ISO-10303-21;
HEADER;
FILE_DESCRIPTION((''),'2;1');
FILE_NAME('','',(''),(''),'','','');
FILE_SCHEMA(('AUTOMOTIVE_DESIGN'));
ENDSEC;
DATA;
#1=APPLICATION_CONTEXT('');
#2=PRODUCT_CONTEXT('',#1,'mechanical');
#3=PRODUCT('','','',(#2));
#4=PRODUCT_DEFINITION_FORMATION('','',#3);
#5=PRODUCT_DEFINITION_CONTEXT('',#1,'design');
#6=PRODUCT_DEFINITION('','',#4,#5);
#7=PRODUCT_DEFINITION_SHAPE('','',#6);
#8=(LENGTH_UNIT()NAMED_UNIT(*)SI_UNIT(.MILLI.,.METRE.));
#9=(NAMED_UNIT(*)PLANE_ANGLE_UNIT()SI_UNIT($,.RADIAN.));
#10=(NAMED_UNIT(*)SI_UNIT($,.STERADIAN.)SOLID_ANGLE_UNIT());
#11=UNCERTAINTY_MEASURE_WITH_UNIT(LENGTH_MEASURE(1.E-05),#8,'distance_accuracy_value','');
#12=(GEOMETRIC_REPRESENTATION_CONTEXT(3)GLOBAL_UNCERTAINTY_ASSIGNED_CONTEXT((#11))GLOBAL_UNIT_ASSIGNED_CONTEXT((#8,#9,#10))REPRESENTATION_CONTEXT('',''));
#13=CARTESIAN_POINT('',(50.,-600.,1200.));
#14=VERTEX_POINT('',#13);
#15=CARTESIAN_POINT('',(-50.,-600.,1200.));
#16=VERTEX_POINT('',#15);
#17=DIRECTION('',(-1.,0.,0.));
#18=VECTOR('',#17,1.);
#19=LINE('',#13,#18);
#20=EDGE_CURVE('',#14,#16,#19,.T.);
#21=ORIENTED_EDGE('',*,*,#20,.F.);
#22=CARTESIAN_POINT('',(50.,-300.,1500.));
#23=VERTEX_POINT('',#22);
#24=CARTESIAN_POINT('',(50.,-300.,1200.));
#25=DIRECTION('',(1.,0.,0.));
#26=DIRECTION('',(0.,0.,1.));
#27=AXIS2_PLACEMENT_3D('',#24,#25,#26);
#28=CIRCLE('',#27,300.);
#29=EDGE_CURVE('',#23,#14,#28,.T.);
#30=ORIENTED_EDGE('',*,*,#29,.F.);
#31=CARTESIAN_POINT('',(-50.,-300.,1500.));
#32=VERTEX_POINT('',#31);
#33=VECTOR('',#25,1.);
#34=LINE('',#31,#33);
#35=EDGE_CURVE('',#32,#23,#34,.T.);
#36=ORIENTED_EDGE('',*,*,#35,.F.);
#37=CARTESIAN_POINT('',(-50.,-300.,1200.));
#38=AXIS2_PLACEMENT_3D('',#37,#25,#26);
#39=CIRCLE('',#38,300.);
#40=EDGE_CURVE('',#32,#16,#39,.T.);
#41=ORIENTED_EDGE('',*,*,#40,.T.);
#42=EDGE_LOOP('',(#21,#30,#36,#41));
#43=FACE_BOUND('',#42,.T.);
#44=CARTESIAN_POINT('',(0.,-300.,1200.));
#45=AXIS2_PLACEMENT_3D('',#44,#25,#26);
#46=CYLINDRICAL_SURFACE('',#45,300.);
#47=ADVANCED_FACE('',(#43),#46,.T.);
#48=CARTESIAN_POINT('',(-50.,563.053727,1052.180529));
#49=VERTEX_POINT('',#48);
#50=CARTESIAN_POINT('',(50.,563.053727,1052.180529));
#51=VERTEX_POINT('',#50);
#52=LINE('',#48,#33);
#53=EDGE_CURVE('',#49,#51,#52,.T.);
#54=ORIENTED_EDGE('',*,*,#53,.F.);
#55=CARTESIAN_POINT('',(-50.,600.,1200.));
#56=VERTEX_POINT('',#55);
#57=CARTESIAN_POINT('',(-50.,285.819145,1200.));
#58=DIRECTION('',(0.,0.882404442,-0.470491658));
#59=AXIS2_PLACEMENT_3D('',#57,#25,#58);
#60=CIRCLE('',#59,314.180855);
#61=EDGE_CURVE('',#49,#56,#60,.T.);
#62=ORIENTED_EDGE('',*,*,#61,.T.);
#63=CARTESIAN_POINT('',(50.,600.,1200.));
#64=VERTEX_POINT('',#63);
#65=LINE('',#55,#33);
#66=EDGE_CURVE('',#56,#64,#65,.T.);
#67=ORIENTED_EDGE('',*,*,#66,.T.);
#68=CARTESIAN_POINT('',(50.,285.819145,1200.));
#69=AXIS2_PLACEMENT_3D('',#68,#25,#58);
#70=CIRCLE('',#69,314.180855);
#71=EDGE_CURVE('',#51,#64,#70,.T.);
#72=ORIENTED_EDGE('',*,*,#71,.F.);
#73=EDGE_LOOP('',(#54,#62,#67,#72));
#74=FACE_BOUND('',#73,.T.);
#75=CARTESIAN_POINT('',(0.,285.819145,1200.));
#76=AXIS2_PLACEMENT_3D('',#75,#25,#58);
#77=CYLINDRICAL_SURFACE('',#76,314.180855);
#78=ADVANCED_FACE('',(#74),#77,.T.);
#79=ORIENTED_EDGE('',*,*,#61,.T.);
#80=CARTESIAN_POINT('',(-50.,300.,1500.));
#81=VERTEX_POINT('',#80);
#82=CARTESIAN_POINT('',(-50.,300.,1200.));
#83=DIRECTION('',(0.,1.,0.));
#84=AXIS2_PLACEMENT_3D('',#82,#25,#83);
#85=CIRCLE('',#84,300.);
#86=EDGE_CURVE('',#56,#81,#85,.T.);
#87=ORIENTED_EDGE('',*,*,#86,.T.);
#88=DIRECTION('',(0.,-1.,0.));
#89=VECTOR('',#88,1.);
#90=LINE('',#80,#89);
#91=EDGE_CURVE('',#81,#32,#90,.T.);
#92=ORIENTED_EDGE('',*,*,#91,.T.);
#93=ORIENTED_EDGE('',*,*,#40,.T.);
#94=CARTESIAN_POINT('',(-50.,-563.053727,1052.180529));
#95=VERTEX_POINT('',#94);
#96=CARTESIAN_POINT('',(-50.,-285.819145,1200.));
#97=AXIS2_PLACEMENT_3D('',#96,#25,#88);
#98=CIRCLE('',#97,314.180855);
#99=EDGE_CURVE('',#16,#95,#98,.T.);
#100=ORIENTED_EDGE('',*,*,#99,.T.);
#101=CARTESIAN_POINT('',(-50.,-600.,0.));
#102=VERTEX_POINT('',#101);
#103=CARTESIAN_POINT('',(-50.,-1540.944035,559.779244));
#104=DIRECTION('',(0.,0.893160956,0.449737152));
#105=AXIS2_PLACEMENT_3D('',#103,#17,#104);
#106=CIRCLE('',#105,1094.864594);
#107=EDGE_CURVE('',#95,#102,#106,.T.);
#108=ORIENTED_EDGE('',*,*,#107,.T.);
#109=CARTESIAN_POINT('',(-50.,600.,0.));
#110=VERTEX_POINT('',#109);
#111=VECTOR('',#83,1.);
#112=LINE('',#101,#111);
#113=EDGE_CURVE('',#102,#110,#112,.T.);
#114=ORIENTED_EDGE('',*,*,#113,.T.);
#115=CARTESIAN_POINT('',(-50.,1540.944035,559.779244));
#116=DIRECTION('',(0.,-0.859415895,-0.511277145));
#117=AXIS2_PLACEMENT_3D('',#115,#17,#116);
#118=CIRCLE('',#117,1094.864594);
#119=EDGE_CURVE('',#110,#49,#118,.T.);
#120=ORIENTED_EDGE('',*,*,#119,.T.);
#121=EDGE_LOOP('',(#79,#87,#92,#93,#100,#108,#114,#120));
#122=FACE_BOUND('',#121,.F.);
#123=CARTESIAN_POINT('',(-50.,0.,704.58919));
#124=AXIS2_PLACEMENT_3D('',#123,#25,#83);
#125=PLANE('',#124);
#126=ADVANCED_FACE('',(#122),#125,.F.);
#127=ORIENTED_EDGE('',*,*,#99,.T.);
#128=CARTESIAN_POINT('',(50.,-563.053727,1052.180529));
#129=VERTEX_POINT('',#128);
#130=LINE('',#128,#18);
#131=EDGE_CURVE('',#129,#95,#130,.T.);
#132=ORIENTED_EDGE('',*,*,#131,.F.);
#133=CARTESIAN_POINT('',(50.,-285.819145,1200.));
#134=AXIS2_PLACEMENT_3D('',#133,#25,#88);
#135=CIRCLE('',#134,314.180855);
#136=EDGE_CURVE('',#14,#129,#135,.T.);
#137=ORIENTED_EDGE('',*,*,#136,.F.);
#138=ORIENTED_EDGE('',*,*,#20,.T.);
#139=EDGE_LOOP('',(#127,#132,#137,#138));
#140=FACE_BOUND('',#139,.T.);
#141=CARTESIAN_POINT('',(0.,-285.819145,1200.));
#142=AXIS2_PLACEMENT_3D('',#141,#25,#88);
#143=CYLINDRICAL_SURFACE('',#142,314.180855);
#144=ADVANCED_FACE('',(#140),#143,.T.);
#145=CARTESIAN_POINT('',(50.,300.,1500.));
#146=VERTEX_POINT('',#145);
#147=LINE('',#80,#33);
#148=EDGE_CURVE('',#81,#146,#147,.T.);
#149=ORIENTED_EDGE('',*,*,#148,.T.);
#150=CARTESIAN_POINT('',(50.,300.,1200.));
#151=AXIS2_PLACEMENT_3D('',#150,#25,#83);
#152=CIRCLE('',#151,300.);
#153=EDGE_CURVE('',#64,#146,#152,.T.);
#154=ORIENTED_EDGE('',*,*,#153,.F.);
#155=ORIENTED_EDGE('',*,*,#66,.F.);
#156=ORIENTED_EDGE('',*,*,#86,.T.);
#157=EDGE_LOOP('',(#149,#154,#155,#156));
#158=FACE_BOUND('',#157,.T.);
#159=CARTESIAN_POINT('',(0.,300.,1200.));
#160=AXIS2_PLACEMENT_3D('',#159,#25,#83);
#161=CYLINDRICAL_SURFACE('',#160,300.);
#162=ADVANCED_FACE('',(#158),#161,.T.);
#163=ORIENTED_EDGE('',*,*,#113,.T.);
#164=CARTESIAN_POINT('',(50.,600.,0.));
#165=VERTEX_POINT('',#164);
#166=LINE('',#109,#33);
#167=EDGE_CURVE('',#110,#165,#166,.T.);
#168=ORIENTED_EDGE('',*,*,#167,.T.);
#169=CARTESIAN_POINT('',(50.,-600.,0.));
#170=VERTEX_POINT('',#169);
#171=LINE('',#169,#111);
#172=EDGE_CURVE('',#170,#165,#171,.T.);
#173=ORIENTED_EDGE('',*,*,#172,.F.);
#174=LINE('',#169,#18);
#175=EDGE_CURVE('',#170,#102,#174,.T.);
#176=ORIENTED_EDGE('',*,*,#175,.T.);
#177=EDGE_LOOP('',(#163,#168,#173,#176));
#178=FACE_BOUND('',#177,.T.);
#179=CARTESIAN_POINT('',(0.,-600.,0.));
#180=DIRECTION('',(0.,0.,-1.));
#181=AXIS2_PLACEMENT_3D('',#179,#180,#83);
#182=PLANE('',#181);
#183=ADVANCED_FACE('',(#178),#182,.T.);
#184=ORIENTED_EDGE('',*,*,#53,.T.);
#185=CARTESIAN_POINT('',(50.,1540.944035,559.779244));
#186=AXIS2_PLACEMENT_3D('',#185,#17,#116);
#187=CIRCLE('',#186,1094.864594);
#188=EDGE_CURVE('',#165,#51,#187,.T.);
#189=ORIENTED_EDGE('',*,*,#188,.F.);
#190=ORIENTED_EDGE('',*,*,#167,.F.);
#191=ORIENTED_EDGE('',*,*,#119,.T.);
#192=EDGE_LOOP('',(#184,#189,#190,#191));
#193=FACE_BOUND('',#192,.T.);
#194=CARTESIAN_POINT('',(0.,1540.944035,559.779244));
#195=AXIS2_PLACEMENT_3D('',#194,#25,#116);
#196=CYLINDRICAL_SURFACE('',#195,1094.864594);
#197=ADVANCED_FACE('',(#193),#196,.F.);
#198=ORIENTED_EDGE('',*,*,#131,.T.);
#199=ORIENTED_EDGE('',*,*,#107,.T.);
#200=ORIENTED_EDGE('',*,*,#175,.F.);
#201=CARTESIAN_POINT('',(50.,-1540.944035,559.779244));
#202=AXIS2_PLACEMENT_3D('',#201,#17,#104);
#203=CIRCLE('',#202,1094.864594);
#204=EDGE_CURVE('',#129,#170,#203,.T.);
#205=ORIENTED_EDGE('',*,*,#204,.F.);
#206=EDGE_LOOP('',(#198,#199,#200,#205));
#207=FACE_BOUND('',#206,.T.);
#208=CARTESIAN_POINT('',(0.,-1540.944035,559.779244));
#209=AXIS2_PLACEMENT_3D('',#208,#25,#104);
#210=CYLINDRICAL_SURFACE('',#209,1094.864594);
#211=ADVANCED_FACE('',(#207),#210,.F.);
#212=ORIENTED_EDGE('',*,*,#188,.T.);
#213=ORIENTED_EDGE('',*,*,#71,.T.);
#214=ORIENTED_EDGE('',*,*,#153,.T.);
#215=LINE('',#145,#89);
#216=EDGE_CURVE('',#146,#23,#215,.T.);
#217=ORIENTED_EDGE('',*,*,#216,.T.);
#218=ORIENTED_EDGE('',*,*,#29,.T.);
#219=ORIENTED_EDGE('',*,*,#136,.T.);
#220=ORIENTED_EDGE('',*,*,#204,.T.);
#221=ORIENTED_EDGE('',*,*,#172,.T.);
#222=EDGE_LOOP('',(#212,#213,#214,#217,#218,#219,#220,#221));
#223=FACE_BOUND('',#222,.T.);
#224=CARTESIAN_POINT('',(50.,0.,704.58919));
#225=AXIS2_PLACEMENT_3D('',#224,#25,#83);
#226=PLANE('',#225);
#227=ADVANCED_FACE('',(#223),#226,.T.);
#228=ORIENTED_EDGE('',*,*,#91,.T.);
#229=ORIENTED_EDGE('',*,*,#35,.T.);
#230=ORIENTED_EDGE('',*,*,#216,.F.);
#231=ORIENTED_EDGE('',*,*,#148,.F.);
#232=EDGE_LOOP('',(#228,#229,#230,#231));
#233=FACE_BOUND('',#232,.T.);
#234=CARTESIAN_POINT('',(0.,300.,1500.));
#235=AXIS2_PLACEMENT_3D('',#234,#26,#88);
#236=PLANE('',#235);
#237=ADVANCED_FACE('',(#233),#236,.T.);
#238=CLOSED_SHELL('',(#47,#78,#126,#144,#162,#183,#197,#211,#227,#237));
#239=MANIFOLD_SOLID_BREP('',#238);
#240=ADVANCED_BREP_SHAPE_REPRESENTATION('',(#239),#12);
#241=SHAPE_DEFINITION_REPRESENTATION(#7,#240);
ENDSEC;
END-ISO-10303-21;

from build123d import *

# Parameters (mm, degrees)
F1_DEPTH = 50


with BuildPart() as f1:
    # F0 (on Right) → F1 (new body, symmetric)
    with BuildSketch(Plane.YZ):
        with BuildLine():
            Line((-600, 0), (0, 0))
            Line((0, 0), (600, 0))
            ThreePointArc((600, 0), (446.7537979187, 521.3578421542), (563.05372715, 1052.1805286407))
            ThreePointArc((563.05372715, 1052.1805286407), (590.6235148046, 1123.8166304394), (600, 1200))
            ThreePointArc((600, 1200), (512.132034356, 1412.132034356), (300, 1500))
            Line((300, 1500), (0, 1500))
            Line((0, 1500), (-300, 1500))
            ThreePointArc((-300, 1500), (-512.132034356, 1412.132034356), (-600, 1200))
            ThreePointArc((-600, 1200), (-590.6235148046, 1123.8166304394), (-563.05372715, 1052.1805286407))
            ThreePointArc((-563.05372715, 1052.1805286407), (-446.7537979187, 521.3578421542), (-600, 0))
        make_face()
    extrude(amount=F1_DEPTH, both=True)


solid = f1.part
